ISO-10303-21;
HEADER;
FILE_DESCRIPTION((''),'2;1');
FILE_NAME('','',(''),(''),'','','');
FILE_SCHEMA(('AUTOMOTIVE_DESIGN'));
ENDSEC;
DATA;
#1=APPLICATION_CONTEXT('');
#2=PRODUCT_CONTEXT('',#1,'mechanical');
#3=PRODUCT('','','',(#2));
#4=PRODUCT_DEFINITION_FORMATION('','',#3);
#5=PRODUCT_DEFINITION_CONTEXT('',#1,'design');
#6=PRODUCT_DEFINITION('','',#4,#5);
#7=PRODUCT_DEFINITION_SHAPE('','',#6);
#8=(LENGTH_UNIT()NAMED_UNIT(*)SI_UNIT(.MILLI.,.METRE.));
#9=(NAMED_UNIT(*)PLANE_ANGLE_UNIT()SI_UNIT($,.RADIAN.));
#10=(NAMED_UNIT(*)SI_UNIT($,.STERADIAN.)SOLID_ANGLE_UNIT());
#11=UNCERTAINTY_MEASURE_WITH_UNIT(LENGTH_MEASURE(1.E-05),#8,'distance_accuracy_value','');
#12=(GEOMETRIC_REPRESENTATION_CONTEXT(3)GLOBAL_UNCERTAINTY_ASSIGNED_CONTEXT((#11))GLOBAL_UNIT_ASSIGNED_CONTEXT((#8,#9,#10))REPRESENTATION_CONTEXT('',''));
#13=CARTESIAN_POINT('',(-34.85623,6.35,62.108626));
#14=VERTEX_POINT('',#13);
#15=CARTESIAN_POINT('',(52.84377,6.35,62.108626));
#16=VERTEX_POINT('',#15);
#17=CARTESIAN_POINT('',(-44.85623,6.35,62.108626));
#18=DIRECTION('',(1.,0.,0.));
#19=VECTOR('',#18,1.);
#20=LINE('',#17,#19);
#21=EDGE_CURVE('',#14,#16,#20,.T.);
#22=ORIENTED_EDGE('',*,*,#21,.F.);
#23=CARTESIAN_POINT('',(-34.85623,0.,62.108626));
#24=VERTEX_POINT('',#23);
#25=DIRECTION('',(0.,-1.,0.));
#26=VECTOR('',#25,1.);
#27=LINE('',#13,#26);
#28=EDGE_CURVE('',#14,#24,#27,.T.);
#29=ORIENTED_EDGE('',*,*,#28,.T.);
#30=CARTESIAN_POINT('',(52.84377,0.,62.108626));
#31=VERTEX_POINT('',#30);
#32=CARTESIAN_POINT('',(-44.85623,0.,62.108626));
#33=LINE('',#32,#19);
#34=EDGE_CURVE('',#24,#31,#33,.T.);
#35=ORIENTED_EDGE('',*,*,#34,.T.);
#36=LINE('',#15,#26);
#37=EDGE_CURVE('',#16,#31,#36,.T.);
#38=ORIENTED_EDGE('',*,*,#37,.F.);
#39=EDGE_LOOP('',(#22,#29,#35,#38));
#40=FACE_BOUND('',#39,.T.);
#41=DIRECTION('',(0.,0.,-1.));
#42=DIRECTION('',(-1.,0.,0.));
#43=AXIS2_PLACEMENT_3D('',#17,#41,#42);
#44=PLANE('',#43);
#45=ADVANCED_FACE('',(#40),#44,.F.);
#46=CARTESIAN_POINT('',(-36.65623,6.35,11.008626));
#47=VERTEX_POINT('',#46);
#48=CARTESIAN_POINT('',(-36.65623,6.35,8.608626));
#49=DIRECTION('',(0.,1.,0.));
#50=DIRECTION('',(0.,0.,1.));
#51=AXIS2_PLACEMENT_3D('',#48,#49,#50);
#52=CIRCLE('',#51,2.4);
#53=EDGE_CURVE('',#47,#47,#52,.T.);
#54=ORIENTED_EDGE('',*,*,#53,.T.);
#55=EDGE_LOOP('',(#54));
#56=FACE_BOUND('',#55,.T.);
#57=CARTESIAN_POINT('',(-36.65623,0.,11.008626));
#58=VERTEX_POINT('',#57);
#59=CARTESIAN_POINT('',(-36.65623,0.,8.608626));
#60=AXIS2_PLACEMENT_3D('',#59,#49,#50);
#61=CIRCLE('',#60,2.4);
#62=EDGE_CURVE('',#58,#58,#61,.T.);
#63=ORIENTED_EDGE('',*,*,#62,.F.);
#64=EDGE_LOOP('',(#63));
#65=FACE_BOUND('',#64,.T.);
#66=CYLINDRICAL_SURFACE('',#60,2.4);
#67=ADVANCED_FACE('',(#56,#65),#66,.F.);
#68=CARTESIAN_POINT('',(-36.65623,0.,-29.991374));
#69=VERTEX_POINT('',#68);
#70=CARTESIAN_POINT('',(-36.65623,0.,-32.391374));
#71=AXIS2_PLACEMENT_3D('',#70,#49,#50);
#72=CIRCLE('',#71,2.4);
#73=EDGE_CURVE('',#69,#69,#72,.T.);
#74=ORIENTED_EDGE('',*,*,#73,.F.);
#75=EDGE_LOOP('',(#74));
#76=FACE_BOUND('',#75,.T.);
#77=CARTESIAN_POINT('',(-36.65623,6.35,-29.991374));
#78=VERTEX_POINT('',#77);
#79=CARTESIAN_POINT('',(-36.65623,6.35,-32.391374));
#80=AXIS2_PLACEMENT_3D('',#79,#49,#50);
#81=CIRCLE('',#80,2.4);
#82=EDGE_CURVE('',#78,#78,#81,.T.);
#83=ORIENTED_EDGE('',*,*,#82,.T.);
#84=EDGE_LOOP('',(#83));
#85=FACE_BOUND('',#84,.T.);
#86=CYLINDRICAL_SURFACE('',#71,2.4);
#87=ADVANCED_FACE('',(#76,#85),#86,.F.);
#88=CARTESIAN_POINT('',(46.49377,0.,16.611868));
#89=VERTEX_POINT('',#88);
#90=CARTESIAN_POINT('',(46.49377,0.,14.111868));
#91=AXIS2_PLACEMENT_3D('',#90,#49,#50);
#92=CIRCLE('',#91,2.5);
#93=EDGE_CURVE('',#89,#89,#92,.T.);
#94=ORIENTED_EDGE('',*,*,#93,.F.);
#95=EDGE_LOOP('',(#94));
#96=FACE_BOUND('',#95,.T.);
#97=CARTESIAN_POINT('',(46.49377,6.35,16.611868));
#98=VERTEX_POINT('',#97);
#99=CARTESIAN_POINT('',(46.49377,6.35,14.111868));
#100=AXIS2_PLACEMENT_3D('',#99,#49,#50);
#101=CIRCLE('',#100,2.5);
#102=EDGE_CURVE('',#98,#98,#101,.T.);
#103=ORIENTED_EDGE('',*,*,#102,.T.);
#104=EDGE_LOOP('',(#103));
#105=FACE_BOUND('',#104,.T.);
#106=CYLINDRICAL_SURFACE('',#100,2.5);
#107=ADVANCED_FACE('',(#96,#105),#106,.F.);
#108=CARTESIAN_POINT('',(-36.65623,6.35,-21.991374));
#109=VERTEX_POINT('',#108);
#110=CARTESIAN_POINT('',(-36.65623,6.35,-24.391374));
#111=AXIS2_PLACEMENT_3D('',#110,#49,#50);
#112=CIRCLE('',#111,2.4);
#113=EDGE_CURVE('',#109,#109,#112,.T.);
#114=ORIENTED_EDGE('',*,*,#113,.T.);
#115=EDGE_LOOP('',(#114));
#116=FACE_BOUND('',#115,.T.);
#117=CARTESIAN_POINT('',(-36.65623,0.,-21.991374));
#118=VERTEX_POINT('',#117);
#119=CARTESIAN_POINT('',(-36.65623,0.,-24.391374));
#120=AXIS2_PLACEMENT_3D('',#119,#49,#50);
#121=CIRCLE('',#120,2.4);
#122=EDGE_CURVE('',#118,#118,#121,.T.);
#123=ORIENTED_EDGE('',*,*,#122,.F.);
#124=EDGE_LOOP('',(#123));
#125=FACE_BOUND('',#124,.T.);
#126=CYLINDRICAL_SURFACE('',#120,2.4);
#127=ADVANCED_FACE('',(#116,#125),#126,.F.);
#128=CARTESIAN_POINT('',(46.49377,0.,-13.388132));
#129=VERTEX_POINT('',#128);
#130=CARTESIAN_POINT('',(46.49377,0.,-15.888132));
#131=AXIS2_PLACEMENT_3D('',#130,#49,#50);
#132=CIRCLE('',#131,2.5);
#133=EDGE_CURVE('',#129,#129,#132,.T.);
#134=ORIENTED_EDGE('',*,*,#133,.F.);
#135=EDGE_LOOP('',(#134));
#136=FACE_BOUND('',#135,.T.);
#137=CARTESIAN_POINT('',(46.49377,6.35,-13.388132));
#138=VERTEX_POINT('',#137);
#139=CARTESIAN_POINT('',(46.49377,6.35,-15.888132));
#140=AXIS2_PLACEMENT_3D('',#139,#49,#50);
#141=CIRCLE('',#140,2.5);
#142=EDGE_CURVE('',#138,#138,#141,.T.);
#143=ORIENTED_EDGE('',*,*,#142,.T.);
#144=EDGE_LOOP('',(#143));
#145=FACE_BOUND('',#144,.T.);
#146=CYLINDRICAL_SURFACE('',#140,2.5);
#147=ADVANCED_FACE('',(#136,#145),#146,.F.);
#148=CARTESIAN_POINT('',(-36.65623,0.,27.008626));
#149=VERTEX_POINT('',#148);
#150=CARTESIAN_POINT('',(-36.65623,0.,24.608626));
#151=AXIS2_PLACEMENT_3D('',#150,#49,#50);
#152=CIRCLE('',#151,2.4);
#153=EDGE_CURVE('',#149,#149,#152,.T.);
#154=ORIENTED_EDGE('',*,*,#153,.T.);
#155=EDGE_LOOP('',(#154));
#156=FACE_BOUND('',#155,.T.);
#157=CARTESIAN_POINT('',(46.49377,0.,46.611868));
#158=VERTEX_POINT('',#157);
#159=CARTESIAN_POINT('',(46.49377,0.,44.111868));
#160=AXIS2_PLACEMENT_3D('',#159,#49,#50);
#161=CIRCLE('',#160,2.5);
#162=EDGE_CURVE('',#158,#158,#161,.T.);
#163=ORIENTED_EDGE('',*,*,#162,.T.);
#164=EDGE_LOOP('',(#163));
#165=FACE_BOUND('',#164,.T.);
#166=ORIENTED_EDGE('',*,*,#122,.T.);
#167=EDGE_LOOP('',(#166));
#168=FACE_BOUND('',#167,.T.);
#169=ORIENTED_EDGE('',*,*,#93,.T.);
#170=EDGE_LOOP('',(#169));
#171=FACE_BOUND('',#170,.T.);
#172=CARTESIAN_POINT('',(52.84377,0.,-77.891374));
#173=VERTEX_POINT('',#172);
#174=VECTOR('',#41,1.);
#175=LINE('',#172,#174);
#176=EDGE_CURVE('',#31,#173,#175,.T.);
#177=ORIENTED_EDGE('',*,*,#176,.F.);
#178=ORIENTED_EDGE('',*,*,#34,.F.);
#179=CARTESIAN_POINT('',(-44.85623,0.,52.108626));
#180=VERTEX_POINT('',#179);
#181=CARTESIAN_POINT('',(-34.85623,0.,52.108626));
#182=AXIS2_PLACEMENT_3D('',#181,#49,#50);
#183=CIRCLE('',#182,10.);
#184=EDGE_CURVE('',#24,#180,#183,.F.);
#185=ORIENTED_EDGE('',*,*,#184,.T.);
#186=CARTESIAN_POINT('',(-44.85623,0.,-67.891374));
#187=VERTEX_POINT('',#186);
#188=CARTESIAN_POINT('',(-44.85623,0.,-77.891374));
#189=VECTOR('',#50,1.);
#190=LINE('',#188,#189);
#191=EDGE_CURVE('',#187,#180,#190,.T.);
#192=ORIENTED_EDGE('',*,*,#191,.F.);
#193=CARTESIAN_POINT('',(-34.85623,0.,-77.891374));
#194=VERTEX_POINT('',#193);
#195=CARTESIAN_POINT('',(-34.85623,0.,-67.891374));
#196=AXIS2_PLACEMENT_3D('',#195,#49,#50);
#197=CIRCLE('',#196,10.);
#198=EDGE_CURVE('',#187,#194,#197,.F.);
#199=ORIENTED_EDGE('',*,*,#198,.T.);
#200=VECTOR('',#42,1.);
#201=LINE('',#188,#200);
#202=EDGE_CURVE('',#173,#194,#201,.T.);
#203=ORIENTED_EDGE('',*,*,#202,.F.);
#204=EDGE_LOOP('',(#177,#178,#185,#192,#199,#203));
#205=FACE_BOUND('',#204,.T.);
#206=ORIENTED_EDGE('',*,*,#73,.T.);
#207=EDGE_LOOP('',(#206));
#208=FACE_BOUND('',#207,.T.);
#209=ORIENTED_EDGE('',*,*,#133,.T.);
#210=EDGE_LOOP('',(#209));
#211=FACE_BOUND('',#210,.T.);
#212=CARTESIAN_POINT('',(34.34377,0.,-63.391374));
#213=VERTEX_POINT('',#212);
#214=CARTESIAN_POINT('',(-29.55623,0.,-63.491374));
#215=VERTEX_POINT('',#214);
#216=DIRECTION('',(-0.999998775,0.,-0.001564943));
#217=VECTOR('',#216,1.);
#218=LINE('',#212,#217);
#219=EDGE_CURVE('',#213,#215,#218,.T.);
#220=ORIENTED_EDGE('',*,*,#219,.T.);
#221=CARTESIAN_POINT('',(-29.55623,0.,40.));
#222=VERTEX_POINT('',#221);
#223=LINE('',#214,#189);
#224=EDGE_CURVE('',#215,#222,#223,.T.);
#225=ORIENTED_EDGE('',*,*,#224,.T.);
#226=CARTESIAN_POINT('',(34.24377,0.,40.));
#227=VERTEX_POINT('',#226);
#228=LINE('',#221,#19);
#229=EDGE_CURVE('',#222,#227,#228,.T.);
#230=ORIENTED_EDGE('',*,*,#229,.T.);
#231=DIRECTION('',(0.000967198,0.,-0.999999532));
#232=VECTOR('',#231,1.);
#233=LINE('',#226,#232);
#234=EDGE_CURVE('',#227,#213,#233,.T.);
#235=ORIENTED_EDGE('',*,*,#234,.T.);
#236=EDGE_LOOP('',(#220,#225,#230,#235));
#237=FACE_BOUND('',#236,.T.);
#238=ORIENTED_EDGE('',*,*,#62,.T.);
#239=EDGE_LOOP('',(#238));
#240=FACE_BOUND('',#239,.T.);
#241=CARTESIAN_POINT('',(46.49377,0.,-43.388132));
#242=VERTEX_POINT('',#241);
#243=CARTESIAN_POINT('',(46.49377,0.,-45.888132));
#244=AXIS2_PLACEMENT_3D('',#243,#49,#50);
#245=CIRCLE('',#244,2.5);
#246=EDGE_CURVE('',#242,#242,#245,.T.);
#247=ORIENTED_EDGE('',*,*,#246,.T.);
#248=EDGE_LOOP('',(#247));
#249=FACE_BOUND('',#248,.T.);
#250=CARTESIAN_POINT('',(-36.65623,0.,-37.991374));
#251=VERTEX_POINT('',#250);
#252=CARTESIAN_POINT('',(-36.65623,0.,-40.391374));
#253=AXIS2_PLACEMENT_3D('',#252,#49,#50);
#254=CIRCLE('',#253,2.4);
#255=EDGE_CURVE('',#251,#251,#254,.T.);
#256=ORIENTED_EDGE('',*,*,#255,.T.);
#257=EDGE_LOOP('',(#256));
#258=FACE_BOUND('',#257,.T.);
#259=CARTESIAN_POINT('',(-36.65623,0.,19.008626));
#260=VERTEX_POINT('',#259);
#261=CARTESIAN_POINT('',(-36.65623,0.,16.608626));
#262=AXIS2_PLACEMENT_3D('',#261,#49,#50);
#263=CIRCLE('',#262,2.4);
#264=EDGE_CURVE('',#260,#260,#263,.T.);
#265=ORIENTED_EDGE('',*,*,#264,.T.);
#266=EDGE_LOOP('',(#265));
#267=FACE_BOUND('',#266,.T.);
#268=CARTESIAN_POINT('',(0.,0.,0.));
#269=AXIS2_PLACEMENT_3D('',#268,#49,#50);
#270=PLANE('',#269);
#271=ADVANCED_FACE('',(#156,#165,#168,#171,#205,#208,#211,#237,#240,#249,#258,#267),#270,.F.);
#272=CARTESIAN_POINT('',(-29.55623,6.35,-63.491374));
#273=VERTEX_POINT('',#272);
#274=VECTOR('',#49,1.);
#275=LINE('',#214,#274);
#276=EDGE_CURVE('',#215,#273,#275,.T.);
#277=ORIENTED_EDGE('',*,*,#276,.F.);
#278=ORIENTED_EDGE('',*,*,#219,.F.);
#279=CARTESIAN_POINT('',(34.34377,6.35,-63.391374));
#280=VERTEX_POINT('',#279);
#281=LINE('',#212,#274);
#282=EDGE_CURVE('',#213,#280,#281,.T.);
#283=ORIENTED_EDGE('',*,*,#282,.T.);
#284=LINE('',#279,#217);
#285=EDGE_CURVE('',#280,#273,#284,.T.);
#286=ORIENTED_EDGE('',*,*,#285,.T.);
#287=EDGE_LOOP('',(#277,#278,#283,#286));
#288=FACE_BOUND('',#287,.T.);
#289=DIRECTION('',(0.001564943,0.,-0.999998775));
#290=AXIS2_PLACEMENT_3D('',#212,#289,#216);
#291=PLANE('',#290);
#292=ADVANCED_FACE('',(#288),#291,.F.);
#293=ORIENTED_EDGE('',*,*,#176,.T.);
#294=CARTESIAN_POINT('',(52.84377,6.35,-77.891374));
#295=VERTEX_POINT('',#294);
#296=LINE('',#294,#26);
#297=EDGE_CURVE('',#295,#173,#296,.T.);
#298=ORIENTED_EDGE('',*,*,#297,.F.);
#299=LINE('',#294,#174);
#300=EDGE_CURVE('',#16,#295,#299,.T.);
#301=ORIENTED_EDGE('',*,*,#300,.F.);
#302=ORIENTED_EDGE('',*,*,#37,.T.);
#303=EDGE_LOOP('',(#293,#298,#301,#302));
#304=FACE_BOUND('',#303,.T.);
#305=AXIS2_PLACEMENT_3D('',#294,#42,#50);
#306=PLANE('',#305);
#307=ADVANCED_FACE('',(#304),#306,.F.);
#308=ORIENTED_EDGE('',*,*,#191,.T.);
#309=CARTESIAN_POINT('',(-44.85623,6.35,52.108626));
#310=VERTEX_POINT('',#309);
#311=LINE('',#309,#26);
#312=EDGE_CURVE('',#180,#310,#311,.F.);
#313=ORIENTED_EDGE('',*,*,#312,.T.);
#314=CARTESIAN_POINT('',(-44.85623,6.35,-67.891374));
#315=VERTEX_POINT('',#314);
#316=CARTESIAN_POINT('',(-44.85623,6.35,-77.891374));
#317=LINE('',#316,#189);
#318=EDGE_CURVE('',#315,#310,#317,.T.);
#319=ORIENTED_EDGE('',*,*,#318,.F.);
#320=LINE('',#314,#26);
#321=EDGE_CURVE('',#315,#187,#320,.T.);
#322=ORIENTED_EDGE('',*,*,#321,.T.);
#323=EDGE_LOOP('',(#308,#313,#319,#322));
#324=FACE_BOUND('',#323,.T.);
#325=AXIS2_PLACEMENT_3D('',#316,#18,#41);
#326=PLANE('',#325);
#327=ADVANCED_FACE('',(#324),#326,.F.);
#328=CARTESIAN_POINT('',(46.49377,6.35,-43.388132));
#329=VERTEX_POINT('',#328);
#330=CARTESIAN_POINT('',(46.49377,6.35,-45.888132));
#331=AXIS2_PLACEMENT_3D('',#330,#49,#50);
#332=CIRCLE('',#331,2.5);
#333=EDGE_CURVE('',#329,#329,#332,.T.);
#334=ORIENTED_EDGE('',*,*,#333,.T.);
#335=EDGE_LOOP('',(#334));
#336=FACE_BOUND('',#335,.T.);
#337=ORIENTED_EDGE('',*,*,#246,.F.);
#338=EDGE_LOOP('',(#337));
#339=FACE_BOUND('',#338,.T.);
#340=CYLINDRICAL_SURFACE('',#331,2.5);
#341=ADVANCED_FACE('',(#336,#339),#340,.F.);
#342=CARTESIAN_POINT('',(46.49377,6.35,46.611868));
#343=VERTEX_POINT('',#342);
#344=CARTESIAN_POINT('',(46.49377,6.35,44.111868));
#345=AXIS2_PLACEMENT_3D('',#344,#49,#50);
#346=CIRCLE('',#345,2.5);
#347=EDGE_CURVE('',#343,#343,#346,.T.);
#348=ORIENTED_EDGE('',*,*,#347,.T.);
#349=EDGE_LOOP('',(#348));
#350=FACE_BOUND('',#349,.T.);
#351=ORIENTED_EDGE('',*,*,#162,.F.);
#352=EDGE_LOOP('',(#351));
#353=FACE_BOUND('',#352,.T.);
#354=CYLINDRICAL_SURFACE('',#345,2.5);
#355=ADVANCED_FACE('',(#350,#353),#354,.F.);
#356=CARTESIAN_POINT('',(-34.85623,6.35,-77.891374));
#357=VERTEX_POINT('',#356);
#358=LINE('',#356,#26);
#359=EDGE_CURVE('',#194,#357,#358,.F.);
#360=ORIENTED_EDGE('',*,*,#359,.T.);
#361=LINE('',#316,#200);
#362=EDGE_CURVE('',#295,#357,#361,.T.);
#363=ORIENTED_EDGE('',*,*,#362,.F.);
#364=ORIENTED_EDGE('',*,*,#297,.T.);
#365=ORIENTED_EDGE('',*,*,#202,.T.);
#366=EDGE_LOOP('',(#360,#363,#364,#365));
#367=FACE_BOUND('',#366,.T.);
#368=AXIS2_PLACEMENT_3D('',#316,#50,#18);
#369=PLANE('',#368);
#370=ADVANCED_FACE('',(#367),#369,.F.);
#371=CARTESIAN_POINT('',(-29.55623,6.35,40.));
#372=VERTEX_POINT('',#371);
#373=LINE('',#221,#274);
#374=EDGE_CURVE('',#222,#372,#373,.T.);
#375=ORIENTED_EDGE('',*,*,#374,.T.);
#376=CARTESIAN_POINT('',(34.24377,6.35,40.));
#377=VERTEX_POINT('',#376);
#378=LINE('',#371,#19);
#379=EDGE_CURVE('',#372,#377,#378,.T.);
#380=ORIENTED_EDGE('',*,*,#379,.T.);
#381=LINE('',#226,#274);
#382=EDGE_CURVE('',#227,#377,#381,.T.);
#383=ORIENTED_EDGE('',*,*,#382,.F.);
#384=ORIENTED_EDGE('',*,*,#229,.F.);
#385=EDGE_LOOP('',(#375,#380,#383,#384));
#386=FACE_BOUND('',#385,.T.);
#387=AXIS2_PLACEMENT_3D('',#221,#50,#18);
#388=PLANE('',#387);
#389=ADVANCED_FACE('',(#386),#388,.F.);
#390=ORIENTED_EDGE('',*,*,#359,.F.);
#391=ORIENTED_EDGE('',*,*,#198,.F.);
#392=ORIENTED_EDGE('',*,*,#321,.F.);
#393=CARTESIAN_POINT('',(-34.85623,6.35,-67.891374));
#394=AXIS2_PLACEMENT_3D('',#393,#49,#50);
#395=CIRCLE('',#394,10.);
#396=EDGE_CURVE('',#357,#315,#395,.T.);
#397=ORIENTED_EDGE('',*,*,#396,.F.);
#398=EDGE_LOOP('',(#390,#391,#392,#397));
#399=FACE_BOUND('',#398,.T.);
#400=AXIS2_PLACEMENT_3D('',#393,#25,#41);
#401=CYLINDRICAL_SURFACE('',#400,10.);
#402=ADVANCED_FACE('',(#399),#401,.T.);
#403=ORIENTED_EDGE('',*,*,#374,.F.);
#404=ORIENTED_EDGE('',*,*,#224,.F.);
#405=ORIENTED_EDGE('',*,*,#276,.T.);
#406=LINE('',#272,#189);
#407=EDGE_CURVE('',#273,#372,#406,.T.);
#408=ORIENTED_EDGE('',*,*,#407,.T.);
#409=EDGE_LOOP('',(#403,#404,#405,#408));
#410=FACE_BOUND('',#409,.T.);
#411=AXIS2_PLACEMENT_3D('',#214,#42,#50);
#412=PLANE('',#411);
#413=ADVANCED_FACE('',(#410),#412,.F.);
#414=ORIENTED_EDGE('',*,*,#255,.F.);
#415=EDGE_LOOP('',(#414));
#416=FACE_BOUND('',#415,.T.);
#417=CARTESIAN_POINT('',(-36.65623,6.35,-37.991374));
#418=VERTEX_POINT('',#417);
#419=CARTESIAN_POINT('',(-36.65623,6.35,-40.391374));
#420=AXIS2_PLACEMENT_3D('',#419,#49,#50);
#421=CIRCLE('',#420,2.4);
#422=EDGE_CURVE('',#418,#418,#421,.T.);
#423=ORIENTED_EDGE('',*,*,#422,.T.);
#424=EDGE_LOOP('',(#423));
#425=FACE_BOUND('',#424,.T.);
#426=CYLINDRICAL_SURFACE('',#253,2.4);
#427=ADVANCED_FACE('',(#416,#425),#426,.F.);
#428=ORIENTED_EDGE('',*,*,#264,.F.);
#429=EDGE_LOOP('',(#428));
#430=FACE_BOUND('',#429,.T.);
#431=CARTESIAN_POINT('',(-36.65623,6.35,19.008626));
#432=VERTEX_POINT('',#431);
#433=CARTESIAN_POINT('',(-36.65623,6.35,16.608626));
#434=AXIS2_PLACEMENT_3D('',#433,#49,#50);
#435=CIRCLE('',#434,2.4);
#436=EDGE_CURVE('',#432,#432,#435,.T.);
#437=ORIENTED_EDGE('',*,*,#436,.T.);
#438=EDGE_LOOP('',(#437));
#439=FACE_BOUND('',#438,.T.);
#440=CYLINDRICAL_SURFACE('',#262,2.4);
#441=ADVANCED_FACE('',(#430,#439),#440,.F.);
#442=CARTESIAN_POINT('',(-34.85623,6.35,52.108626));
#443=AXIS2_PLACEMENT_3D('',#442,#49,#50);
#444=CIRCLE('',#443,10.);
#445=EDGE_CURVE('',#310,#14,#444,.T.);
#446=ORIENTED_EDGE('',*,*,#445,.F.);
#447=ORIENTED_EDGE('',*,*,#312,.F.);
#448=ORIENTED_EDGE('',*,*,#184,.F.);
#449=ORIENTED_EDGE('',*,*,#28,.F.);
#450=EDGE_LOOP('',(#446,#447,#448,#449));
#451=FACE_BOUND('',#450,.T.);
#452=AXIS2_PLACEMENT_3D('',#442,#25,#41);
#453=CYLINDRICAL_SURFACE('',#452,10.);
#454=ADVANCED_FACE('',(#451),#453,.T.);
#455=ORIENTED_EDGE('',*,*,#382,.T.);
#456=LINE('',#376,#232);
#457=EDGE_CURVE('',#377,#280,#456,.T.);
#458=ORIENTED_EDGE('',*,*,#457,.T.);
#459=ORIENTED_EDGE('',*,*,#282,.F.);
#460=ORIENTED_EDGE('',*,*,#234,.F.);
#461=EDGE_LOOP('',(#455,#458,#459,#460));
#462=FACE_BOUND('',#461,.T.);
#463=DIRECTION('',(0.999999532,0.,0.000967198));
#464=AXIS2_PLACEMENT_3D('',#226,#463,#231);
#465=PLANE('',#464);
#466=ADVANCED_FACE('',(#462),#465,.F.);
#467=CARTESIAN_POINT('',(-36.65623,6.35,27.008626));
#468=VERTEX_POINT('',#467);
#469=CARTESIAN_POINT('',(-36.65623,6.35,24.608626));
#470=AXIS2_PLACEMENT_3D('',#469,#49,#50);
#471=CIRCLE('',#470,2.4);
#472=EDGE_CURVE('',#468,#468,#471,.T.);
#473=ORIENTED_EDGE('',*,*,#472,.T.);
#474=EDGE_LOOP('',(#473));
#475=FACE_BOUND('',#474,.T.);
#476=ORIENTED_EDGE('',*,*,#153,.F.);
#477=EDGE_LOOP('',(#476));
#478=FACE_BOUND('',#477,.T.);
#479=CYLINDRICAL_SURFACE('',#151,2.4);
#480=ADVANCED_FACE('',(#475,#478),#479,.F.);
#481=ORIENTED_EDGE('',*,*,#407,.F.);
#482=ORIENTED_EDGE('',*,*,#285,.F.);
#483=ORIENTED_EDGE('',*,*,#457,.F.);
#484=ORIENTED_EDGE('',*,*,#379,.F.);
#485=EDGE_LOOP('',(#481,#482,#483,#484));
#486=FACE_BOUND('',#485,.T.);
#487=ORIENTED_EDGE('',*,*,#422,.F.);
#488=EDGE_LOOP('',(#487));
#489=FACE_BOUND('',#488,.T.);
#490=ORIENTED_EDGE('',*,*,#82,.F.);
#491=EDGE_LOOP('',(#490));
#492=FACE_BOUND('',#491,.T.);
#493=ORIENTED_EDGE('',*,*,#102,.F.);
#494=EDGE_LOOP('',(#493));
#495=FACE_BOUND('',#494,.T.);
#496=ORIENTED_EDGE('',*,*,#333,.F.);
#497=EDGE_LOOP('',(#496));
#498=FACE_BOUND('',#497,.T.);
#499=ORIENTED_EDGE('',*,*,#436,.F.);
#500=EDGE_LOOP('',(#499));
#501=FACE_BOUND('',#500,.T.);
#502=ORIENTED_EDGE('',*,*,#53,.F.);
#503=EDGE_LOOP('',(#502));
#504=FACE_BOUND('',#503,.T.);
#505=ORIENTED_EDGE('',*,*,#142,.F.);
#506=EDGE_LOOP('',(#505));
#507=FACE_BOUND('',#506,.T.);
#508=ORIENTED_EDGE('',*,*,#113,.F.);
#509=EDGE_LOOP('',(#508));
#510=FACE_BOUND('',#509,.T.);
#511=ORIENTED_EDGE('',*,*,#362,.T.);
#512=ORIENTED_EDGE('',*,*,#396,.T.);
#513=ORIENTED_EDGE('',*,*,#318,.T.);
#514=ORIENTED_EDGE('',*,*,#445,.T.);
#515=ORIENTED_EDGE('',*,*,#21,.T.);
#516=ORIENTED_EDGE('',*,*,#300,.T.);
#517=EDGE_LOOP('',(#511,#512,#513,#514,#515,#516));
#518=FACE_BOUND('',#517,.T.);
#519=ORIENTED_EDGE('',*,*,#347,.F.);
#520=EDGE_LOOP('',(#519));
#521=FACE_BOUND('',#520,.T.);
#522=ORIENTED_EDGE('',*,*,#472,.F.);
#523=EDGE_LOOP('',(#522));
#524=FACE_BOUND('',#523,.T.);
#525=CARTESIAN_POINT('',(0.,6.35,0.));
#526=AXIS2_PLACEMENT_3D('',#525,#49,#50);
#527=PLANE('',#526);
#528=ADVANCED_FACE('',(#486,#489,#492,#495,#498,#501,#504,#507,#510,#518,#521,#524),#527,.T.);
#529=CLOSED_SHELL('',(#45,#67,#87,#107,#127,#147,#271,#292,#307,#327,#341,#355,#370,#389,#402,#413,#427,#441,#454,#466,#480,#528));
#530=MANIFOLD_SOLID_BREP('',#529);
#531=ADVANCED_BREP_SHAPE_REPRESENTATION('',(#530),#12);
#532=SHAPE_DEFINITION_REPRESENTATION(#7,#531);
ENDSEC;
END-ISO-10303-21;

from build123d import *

# Parameters (mm, degrees)
SKETCH1_W                 = 97.7
SKETCH1_H                 = 140
BOSS_EXTRUDE1_DEPTH       = 6.35
FILLET1_R                 = 10
CUT_EXTRUDE1_DEPTH        = 6.35
SKETCH5_R                 = 2.4
CUT_EXTRUDE2_DEPTH        = 6.35
F_5_0MM_DOWEL_HOLE1_D     = 5
F_5_0MM_DOWEL_HOLE1_DEPTH = 10
F_5_0MM_DOWEL_HOLE1_TIP   = 1.502151548


with BuildPart() as part:
    # Sketch1 → Boss-Extrude1 (new body)
    with BuildSketch(Plane(origin=(0, 0, 0), x_dir=(1, 0, 0), z_dir=(0, 1, 0))):
        with Locations((3.993769968, 7.891373802)):
            Rectangle(SKETCH1_W, SKETCH1_H)
    extrude(amount=BOSS_EXTRUDE1_DEPTH)

    # Fillet1
    fillet1_edges = [part.edges().sort_by_distance(p)[0] for p in [
        (-44.856230032, 3.175, -77.891373802),
        (-44.856230032, 3.175, 62.108626198),
    ]]
    fillet(fillet1_edges, radius=FILLET1_R)

    # Sketch3 → Cut-Extrude1 (cut)
    with BuildSketch(Plane(origin=(0, 6.35, 0), x_dir=(1, 0, 0), z_dir=(0, 1, 0))):
        Polygon((-29.556230032, 63.491373802), (-29.556230032, -40), (34.243769968, -40), (34.343769968, 63.391373802), align=None)
    extrude(amount=-CUT_EXTRUDE1_DEPTH, mode=Mode.SUBTRACT)

    # Sketch5 → Cut-Extrude2 (cut)
    with BuildSketch(Plane(origin=(0, 6.35, 0), x_dir=(1, 0, 0), z_dir=(0, 1, 0))):
        with Locations((-36.656230032, 40.391373802)):
            Circle(SKETCH5_R)
        with Locations((-36.656230032, 24.391373802)):
            Circle(SKETCH5_R)
        with Locations((-36.656230032, -8.608626198)):
            Circle(SKETCH5_R)
        with Locations((-36.656230032, -24.608626198)):
            Circle(SKETCH5_R)
        with Locations((-36.656230032, -16.608626198)):
            Circle(SKETCH5_R)
        with Locations((-36.656230032, 32.391373802)):
            Circle(SKETCH5_R)
    extrude(amount=-CUT_EXTRUDE2_DEPTH, mode=Mode.SUBTRACT)

    # Ø5.0mm Dowel Hole1
    with Locations(Plane(origin=(0, 6.35, 0), x_dir=(1, 0, 0), z_dir=(0, 1, 0))):
        with Locations((46.493769968, 45.888131535), (46.493769968, 15.888131535), (46.493769968, -14.111868465), (46.493769968, -44.111868465)):
            Hole(F_5_0MM_DOWEL_HOLE1_D / 2, depth=F_5_0MM_DOWEL_HOLE1_DEPTH)
            with Locations((0, 0, -(F_5_0MM_DOWEL_HOLE1_DEPTH + F_5_0MM_DOWEL_HOLE1_TIP / 2))):  # 118° drill point
                Cone(0, F_5_0MM_DOWEL_HOLE1_D / 2, F_5_0MM_DOWEL_HOLE1_TIP, mode=Mode.SUBTRACT)


solid = part.part
